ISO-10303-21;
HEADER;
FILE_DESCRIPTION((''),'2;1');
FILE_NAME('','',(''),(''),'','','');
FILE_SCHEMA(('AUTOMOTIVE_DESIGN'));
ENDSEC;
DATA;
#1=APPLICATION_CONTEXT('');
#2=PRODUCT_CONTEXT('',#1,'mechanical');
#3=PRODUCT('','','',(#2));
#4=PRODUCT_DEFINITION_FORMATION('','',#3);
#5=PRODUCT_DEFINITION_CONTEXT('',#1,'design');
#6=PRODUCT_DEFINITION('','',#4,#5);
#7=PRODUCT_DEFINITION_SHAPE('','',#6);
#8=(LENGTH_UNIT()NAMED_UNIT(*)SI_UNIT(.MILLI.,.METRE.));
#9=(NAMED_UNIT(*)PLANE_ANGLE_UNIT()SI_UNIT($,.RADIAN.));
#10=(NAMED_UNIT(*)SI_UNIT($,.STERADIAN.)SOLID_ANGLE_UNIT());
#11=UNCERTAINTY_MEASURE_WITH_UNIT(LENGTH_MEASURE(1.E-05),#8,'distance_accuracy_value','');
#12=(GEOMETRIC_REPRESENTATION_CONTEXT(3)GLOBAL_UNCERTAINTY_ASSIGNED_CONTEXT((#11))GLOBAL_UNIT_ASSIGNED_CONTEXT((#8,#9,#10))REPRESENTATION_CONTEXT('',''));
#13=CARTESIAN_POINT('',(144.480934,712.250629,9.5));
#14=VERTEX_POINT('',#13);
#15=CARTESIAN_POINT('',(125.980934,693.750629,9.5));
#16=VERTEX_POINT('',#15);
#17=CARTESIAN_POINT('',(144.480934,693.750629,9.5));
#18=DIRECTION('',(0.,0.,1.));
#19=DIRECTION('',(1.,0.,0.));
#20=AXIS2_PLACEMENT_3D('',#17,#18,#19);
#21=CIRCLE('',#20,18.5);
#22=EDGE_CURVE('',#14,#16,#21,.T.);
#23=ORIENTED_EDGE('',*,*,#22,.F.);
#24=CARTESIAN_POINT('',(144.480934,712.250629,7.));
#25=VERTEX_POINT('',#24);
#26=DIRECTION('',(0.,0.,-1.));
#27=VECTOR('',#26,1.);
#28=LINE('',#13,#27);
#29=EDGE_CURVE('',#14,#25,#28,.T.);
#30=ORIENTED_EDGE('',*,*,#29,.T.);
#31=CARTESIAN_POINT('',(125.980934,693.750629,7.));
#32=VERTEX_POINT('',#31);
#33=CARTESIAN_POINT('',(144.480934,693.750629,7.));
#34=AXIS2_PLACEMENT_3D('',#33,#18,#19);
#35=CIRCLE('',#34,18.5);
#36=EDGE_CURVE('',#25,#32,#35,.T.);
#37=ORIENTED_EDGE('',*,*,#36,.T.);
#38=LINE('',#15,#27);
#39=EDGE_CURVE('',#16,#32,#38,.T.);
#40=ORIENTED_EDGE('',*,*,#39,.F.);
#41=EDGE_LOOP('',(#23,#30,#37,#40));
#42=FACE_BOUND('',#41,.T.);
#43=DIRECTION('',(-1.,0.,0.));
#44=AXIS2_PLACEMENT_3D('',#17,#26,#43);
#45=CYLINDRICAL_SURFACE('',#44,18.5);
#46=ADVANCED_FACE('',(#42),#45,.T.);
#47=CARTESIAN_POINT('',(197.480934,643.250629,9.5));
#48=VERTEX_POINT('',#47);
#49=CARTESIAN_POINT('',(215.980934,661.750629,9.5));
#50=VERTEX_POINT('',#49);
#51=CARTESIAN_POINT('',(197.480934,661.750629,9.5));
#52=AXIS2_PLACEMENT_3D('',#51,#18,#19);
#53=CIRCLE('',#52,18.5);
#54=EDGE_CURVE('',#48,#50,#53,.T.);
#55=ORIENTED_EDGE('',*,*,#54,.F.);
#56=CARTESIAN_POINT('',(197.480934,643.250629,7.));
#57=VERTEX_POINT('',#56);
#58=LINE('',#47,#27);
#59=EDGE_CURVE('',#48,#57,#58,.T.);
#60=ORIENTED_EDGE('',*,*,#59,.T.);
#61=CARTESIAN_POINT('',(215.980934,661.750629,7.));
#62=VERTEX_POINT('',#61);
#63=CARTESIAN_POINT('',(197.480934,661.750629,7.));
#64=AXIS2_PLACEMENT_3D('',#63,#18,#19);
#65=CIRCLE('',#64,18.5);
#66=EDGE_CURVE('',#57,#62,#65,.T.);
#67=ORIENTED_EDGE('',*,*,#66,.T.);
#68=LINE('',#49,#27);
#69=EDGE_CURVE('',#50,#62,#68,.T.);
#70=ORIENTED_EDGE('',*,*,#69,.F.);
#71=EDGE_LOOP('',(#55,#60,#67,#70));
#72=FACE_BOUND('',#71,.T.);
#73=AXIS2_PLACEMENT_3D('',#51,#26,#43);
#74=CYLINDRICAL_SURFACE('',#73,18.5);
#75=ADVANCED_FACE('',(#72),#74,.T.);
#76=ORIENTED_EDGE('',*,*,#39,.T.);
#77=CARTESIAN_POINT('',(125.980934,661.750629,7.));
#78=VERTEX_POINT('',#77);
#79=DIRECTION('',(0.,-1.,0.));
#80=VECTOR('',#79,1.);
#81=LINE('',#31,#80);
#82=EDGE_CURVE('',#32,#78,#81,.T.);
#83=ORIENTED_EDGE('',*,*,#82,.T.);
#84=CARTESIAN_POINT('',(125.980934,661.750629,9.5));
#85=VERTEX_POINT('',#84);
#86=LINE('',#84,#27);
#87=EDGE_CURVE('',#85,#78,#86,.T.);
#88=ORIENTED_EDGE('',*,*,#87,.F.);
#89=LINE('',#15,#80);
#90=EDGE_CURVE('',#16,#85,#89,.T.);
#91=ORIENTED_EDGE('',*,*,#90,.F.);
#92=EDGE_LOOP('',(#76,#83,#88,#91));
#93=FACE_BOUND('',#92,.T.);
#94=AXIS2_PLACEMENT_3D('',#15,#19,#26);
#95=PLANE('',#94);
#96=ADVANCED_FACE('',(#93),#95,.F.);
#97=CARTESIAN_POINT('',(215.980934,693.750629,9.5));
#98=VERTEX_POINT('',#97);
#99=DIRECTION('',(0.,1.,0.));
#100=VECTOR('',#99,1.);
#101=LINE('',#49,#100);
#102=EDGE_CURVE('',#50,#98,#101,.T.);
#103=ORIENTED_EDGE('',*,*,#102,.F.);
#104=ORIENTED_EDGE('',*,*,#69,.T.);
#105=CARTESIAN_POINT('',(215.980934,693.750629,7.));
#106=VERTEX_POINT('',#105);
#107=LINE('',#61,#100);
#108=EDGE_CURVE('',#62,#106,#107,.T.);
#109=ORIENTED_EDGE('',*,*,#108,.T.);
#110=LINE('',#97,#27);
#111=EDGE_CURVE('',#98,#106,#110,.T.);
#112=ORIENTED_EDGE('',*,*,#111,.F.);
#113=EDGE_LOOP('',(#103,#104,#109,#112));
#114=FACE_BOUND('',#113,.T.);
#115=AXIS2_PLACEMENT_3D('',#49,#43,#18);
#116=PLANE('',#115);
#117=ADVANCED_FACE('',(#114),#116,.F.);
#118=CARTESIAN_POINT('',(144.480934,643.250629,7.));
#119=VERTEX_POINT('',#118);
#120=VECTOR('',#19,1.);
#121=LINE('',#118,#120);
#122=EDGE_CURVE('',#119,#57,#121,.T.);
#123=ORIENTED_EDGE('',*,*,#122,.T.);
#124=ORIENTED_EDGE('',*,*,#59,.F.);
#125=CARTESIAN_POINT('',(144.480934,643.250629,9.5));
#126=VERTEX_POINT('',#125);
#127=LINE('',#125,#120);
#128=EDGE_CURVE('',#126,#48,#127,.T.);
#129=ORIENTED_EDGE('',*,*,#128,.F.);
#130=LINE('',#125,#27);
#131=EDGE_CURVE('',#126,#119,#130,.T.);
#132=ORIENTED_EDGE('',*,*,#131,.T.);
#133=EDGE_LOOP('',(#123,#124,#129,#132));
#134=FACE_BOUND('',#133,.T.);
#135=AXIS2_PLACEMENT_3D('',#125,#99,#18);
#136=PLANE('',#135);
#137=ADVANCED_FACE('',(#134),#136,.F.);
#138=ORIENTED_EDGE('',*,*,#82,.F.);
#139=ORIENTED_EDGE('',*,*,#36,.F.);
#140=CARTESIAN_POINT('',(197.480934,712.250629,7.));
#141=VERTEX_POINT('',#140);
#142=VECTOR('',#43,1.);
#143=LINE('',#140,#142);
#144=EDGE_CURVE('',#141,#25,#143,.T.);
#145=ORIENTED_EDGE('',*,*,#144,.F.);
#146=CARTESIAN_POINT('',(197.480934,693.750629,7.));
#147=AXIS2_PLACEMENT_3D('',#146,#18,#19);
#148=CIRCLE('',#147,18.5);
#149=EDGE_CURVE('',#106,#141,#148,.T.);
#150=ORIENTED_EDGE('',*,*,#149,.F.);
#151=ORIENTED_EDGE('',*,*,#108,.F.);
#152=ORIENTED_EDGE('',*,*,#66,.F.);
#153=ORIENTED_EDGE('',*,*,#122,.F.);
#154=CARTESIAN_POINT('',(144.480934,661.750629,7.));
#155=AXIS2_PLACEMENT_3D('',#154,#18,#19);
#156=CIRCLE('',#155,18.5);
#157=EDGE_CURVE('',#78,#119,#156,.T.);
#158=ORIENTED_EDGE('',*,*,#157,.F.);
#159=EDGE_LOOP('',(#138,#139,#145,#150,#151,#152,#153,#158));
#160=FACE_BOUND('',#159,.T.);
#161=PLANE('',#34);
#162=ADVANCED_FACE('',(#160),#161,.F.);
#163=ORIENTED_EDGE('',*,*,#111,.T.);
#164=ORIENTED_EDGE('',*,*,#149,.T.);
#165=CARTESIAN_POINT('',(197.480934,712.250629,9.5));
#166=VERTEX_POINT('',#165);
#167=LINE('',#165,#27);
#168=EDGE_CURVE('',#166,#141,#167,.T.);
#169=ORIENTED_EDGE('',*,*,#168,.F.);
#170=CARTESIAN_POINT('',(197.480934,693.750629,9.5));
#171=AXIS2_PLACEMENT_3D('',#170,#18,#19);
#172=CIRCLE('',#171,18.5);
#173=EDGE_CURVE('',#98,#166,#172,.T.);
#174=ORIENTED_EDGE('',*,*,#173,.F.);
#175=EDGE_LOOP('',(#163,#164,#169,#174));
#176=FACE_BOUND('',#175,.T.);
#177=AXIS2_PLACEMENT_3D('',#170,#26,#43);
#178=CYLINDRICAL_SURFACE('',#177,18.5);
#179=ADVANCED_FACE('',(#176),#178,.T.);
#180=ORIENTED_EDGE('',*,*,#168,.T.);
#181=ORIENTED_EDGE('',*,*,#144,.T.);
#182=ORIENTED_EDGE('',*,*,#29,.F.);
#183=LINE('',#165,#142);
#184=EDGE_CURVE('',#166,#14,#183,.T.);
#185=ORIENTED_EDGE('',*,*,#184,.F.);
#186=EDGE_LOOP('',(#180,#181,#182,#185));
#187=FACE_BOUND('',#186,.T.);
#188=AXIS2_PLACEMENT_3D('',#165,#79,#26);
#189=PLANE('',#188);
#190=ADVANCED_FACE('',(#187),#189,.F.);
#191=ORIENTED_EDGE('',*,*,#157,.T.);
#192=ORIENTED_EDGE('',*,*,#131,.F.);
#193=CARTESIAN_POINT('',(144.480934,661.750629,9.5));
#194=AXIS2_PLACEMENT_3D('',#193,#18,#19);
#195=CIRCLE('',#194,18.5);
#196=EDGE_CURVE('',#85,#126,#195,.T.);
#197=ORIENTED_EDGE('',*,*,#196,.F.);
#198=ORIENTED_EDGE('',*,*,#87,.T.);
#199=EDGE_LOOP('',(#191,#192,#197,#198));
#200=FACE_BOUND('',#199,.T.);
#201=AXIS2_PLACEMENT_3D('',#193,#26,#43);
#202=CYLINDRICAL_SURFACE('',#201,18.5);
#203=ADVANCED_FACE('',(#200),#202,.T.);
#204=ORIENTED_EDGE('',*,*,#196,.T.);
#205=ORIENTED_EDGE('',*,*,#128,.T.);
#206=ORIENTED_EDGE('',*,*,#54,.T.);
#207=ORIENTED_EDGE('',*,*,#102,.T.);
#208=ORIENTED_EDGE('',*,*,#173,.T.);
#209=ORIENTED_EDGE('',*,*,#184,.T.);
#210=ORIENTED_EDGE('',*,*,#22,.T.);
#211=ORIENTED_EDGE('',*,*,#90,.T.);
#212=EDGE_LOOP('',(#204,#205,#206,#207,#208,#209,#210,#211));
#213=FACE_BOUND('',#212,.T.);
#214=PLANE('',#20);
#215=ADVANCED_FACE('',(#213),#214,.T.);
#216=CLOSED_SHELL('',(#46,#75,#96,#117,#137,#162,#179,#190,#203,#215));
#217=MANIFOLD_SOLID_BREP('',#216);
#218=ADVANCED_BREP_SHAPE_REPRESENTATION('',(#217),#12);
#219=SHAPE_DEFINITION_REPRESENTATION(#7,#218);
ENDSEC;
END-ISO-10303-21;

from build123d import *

# Parameters (mm, degrees)
BOSS_EXTRUDE1_START = 71.584968
BOSS_EXTRUDE1_DEPTH = 2.5
BOSS_EXTRUDE2_DEPTH = 2.5


with BuildPart() as part:
    # Sketch2 → Boss-Extrude1 (new body)
    with BuildSketch(Plane.XY.offset(-64.584967839).offset(BOSS_EXTRUDE1_START)):
        with BuildLine():
            Line((144.480934022, 643.250628573), (197.480934022, 643.250628573))
            ThreePointArc((197.480934022, 643.250628573), (210.562409474, 648.669153121), (215.980934022, 661.750628573))
            Line((215.980934022, 661.750628573), (215.980934022, 693.750628573))
            ThreePointArc((215.980934022, 693.750628573), (210.562409474, 706.832104025), (197.480934022, 712.250628573))
            Line((197.480934022, 712.250628573), (144.480934022, 712.250628573))
            ThreePointArc((144.480934022, 712.250628573), (131.39945857, 706.832104025), (125.980934022, 693.750628573))
            Line((125.980934022, 693.750628573), (125.980934022, 661.750628573))
            ThreePointArc((125.980934022, 661.750628573), (131.39945857, 648.669153121), (144.480934022, 643.250628573))
        make_face()
        with BuildLine():
            Line((144.480934022, 644.750628573), (197.480934022, 644.750628573))
            ThreePointArc((197.480934022, 644.750628573), (209.501749302, 649.729813293), (214.480934022, 661.750628573))
            Line((214.480934022, 661.750628573), (214.480934022, 693.750628573))
            ThreePointArc((214.480934022, 693.750628573), (209.501749302, 705.771443853), (197.480934022, 710.750628573))
            Line((197.480934022, 710.750628573), (144.480934022, 710.750628573))
            ThreePointArc((144.480934022, 710.750628573), (132.460118742, 705.771443853), (127.480934022, 693.750628573))
            Line((127.480934022, 693.750628573), (127.480934022, 661.750628573))
            ThreePointArc((127.480934022, 661.750628573), (132.460118742, 649.729813293), (144.480934022, 644.750628573))
        make_face(mode=Mode.SUBTRACT)
    extrude(amount=BOSS_EXTRUDE1_DEPTH)

    # Sketch3 → Boss-Extrude2 (add)
    with BuildSketch(Plane.XY.offset(7)):
        with BuildLine():
            Line((125.980934022, 693.750628573), (125.980934022, 661.750628573))
            ThreePointArc((125.980934022, 661.750628573), (131.39945857, 648.669153121), (144.480934022, 643.250628573))
            Line((144.480934022, 643.250628573), (197.480934022, 643.250628573))
            ThreePointArc((197.480934022, 643.250628573), (210.562409474, 648.669153121), (215.980934022, 661.750628573))
            Line((215.980934022, 661.750628573), (215.980934022, 693.750628573))
            ThreePointArc((215.980934022, 693.750628573), (210.562409474, 706.832104025), (197.480934022, 712.250628573))
            Line((197.480934022, 712.250628573), (144.480934022, 712.250628573))
            ThreePointArc((144.480934022, 712.250628573), (131.39945857, 706.832104025), (125.980934022, 693.750628573))
        make_face()
    extrude(amount=BOSS_EXTRUDE2_DEPTH)


solid = part.part
